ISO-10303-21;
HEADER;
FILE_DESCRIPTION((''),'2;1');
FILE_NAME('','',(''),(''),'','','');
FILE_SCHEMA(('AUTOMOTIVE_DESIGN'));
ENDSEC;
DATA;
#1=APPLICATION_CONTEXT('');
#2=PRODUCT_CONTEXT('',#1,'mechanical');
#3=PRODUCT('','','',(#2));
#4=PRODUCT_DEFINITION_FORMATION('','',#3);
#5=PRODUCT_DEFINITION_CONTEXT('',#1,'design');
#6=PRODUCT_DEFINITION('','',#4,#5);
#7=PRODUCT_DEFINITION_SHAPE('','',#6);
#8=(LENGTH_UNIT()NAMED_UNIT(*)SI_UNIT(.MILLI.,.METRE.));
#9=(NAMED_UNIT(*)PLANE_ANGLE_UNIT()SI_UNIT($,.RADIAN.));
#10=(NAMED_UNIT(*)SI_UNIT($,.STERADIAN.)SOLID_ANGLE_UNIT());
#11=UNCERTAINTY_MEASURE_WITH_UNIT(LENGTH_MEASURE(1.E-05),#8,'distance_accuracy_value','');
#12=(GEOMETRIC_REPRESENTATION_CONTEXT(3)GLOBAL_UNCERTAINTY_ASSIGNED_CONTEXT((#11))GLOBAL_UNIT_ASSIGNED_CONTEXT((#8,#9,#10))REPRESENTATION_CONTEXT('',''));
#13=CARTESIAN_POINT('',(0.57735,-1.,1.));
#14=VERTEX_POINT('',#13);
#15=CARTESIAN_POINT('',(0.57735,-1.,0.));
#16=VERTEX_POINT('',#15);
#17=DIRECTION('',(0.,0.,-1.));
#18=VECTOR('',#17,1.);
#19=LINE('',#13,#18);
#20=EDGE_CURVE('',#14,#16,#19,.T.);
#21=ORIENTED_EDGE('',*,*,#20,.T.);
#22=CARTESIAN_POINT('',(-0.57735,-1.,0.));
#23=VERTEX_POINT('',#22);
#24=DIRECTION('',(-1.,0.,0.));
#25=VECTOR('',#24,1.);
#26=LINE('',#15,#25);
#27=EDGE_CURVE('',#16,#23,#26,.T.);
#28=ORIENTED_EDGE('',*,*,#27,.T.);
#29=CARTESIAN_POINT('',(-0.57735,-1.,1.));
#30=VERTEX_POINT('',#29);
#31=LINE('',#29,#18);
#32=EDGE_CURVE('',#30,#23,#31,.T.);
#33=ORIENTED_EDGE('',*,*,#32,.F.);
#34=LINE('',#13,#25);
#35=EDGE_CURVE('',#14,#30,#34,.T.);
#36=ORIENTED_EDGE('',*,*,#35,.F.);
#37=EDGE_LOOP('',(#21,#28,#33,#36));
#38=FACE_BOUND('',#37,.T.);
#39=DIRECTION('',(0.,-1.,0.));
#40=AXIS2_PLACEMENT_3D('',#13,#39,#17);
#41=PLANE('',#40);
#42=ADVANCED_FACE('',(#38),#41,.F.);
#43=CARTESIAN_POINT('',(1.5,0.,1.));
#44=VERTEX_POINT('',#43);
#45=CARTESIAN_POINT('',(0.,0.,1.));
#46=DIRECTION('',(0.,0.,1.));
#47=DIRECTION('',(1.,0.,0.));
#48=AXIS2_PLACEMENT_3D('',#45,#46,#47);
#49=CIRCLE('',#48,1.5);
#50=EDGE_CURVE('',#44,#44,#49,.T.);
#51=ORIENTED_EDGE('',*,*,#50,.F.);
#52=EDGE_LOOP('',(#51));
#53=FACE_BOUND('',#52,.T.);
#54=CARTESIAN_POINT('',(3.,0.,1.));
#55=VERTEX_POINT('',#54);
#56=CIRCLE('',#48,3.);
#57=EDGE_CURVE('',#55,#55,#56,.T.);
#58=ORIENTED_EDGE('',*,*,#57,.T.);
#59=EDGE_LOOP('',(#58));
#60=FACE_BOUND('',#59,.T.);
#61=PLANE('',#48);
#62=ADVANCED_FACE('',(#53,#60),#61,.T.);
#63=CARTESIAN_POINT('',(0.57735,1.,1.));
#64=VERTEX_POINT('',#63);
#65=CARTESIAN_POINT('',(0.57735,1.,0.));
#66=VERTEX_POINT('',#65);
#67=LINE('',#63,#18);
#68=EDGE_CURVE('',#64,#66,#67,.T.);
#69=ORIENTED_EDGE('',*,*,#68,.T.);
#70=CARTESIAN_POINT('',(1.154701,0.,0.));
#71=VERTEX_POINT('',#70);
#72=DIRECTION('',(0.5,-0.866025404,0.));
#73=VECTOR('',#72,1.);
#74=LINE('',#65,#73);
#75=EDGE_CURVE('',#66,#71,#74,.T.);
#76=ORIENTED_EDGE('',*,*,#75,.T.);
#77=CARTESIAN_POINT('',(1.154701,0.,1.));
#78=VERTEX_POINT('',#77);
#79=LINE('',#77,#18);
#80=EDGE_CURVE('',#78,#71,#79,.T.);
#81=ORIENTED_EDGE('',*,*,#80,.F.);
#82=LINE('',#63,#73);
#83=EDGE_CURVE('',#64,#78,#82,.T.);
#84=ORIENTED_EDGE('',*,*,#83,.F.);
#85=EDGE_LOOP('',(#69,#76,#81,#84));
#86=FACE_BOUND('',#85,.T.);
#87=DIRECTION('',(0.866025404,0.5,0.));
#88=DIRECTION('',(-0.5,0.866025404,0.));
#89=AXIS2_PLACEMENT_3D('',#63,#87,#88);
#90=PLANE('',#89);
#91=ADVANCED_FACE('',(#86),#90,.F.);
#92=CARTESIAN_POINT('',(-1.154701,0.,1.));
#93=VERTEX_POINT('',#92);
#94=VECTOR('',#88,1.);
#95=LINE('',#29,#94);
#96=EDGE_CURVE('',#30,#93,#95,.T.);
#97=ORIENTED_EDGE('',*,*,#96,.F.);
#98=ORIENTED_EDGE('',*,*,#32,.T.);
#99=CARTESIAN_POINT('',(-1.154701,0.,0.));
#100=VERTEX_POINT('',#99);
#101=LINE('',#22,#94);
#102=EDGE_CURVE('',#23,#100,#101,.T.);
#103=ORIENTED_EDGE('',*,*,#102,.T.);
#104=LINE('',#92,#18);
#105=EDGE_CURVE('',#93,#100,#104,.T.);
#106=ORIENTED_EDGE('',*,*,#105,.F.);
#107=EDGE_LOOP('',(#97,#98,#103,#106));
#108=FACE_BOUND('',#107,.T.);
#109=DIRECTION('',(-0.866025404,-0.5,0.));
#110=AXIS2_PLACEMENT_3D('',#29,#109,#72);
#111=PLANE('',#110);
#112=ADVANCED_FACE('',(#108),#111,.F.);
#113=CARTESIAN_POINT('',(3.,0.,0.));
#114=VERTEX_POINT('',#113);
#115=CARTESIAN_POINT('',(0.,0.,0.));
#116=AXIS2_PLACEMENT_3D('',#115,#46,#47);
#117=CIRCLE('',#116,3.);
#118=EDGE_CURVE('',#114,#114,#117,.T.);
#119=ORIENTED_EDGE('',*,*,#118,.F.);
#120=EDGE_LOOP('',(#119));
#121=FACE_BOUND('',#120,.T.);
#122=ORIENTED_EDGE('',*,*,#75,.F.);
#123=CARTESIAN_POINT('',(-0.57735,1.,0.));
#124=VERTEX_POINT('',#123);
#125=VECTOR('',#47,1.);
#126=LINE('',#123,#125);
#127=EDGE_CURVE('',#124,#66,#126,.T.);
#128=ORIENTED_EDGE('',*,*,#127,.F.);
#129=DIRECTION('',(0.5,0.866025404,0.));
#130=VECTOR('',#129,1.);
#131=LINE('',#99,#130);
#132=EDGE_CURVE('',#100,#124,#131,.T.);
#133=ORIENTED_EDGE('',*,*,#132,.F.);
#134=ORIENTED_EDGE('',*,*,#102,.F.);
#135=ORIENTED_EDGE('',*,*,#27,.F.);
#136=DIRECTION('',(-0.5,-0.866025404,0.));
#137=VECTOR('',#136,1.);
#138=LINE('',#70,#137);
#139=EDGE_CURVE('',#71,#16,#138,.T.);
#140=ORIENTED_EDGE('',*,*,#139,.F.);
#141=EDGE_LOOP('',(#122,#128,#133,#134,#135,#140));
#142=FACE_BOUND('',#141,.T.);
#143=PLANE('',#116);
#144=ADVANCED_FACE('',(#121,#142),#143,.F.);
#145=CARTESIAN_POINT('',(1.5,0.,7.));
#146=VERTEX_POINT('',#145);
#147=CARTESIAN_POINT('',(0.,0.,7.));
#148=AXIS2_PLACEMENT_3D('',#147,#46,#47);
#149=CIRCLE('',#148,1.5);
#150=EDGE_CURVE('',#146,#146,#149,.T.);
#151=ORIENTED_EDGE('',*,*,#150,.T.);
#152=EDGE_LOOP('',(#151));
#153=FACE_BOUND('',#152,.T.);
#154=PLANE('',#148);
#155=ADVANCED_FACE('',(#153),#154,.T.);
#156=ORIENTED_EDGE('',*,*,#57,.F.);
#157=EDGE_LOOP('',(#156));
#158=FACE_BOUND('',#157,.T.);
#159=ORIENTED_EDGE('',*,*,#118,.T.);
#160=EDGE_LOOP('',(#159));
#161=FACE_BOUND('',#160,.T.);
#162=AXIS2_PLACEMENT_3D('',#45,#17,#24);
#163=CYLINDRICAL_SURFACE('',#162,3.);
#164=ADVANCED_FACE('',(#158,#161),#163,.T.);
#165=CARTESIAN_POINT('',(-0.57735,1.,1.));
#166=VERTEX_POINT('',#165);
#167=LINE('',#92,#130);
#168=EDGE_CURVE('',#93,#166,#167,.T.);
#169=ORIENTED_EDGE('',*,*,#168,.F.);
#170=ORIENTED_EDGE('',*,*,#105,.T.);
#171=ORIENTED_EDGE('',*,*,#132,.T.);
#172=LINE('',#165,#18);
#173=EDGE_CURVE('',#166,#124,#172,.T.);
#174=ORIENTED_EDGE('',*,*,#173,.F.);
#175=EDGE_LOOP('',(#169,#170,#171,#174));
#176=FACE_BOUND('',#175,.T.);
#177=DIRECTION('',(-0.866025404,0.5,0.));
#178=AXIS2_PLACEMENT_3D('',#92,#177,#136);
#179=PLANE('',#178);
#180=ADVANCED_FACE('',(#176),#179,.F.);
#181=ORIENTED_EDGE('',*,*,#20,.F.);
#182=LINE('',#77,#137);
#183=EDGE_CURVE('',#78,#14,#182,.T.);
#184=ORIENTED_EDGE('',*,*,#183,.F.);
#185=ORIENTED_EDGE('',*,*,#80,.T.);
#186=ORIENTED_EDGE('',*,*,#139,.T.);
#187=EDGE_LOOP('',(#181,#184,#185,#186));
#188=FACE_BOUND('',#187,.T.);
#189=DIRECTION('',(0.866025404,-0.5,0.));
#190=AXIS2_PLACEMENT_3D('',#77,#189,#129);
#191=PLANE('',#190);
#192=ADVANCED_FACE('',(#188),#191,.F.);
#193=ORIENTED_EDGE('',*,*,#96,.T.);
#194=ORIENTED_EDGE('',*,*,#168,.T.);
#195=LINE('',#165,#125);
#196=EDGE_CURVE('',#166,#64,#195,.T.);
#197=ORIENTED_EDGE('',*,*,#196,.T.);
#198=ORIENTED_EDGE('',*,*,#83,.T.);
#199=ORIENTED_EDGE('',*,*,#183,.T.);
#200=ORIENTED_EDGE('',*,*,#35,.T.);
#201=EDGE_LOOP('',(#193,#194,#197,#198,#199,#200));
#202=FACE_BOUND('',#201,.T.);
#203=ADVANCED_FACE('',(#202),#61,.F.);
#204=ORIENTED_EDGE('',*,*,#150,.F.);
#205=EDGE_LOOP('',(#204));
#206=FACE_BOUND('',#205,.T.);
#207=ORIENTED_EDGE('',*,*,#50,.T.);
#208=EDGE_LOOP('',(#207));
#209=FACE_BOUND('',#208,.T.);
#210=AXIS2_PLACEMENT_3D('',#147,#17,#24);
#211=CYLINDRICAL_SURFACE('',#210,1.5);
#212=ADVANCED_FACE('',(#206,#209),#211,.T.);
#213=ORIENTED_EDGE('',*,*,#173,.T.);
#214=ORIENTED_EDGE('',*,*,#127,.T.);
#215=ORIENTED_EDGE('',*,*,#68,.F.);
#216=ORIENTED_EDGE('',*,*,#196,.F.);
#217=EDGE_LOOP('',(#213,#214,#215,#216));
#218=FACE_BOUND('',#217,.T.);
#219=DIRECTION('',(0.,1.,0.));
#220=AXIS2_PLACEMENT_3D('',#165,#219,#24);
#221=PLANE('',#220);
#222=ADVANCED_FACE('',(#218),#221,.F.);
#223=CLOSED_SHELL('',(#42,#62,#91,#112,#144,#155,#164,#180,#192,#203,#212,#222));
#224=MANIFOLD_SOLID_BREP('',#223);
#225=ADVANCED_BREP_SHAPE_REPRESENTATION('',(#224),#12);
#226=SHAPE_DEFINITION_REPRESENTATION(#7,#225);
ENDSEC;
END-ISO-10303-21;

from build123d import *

# Parameters (mm, degrees)
SKETCH_1_R          = 3
EXTRUDE_1_DEPTH     = 1
CUT_EXTRUDE_1_DEPTH = 1
SKETCH_3_R          = 1.5
EXTRUDE_2_DEPTH     = 6


with BuildPart() as part:
    # 草图1 → 凸台-拉伸1 (new body)
    with BuildSketch(Plane.XY):
        Circle(SKETCH_1_R)
    extrude(amount=EXTRUDE_1_DEPTH)

    # 草图2 → 切除-拉伸1 (cut)
    with BuildSketch(Plane(origin=(0, 0, 0), x_dir=(-1, 0, 0), z_dir=(0, 0, -1))):
        Polygon((1.154700538, 0), (0.577350269, 1), (-0.577350269, 1), (-1.154700538, 0), (-0.577350269, -1), (0.577350269, -1), align=None)
    extrude(amount=-CUT_EXTRUDE_1_DEPTH, mode=Mode.SUBTRACT)

    # 草图3 → 凸台-拉伸2 (add)
    with BuildSketch(Plane.XY.offset(1)):
        Circle(SKETCH_3_R)
    extrude(amount=EXTRUDE_2_DEPTH)


solid = part.part
